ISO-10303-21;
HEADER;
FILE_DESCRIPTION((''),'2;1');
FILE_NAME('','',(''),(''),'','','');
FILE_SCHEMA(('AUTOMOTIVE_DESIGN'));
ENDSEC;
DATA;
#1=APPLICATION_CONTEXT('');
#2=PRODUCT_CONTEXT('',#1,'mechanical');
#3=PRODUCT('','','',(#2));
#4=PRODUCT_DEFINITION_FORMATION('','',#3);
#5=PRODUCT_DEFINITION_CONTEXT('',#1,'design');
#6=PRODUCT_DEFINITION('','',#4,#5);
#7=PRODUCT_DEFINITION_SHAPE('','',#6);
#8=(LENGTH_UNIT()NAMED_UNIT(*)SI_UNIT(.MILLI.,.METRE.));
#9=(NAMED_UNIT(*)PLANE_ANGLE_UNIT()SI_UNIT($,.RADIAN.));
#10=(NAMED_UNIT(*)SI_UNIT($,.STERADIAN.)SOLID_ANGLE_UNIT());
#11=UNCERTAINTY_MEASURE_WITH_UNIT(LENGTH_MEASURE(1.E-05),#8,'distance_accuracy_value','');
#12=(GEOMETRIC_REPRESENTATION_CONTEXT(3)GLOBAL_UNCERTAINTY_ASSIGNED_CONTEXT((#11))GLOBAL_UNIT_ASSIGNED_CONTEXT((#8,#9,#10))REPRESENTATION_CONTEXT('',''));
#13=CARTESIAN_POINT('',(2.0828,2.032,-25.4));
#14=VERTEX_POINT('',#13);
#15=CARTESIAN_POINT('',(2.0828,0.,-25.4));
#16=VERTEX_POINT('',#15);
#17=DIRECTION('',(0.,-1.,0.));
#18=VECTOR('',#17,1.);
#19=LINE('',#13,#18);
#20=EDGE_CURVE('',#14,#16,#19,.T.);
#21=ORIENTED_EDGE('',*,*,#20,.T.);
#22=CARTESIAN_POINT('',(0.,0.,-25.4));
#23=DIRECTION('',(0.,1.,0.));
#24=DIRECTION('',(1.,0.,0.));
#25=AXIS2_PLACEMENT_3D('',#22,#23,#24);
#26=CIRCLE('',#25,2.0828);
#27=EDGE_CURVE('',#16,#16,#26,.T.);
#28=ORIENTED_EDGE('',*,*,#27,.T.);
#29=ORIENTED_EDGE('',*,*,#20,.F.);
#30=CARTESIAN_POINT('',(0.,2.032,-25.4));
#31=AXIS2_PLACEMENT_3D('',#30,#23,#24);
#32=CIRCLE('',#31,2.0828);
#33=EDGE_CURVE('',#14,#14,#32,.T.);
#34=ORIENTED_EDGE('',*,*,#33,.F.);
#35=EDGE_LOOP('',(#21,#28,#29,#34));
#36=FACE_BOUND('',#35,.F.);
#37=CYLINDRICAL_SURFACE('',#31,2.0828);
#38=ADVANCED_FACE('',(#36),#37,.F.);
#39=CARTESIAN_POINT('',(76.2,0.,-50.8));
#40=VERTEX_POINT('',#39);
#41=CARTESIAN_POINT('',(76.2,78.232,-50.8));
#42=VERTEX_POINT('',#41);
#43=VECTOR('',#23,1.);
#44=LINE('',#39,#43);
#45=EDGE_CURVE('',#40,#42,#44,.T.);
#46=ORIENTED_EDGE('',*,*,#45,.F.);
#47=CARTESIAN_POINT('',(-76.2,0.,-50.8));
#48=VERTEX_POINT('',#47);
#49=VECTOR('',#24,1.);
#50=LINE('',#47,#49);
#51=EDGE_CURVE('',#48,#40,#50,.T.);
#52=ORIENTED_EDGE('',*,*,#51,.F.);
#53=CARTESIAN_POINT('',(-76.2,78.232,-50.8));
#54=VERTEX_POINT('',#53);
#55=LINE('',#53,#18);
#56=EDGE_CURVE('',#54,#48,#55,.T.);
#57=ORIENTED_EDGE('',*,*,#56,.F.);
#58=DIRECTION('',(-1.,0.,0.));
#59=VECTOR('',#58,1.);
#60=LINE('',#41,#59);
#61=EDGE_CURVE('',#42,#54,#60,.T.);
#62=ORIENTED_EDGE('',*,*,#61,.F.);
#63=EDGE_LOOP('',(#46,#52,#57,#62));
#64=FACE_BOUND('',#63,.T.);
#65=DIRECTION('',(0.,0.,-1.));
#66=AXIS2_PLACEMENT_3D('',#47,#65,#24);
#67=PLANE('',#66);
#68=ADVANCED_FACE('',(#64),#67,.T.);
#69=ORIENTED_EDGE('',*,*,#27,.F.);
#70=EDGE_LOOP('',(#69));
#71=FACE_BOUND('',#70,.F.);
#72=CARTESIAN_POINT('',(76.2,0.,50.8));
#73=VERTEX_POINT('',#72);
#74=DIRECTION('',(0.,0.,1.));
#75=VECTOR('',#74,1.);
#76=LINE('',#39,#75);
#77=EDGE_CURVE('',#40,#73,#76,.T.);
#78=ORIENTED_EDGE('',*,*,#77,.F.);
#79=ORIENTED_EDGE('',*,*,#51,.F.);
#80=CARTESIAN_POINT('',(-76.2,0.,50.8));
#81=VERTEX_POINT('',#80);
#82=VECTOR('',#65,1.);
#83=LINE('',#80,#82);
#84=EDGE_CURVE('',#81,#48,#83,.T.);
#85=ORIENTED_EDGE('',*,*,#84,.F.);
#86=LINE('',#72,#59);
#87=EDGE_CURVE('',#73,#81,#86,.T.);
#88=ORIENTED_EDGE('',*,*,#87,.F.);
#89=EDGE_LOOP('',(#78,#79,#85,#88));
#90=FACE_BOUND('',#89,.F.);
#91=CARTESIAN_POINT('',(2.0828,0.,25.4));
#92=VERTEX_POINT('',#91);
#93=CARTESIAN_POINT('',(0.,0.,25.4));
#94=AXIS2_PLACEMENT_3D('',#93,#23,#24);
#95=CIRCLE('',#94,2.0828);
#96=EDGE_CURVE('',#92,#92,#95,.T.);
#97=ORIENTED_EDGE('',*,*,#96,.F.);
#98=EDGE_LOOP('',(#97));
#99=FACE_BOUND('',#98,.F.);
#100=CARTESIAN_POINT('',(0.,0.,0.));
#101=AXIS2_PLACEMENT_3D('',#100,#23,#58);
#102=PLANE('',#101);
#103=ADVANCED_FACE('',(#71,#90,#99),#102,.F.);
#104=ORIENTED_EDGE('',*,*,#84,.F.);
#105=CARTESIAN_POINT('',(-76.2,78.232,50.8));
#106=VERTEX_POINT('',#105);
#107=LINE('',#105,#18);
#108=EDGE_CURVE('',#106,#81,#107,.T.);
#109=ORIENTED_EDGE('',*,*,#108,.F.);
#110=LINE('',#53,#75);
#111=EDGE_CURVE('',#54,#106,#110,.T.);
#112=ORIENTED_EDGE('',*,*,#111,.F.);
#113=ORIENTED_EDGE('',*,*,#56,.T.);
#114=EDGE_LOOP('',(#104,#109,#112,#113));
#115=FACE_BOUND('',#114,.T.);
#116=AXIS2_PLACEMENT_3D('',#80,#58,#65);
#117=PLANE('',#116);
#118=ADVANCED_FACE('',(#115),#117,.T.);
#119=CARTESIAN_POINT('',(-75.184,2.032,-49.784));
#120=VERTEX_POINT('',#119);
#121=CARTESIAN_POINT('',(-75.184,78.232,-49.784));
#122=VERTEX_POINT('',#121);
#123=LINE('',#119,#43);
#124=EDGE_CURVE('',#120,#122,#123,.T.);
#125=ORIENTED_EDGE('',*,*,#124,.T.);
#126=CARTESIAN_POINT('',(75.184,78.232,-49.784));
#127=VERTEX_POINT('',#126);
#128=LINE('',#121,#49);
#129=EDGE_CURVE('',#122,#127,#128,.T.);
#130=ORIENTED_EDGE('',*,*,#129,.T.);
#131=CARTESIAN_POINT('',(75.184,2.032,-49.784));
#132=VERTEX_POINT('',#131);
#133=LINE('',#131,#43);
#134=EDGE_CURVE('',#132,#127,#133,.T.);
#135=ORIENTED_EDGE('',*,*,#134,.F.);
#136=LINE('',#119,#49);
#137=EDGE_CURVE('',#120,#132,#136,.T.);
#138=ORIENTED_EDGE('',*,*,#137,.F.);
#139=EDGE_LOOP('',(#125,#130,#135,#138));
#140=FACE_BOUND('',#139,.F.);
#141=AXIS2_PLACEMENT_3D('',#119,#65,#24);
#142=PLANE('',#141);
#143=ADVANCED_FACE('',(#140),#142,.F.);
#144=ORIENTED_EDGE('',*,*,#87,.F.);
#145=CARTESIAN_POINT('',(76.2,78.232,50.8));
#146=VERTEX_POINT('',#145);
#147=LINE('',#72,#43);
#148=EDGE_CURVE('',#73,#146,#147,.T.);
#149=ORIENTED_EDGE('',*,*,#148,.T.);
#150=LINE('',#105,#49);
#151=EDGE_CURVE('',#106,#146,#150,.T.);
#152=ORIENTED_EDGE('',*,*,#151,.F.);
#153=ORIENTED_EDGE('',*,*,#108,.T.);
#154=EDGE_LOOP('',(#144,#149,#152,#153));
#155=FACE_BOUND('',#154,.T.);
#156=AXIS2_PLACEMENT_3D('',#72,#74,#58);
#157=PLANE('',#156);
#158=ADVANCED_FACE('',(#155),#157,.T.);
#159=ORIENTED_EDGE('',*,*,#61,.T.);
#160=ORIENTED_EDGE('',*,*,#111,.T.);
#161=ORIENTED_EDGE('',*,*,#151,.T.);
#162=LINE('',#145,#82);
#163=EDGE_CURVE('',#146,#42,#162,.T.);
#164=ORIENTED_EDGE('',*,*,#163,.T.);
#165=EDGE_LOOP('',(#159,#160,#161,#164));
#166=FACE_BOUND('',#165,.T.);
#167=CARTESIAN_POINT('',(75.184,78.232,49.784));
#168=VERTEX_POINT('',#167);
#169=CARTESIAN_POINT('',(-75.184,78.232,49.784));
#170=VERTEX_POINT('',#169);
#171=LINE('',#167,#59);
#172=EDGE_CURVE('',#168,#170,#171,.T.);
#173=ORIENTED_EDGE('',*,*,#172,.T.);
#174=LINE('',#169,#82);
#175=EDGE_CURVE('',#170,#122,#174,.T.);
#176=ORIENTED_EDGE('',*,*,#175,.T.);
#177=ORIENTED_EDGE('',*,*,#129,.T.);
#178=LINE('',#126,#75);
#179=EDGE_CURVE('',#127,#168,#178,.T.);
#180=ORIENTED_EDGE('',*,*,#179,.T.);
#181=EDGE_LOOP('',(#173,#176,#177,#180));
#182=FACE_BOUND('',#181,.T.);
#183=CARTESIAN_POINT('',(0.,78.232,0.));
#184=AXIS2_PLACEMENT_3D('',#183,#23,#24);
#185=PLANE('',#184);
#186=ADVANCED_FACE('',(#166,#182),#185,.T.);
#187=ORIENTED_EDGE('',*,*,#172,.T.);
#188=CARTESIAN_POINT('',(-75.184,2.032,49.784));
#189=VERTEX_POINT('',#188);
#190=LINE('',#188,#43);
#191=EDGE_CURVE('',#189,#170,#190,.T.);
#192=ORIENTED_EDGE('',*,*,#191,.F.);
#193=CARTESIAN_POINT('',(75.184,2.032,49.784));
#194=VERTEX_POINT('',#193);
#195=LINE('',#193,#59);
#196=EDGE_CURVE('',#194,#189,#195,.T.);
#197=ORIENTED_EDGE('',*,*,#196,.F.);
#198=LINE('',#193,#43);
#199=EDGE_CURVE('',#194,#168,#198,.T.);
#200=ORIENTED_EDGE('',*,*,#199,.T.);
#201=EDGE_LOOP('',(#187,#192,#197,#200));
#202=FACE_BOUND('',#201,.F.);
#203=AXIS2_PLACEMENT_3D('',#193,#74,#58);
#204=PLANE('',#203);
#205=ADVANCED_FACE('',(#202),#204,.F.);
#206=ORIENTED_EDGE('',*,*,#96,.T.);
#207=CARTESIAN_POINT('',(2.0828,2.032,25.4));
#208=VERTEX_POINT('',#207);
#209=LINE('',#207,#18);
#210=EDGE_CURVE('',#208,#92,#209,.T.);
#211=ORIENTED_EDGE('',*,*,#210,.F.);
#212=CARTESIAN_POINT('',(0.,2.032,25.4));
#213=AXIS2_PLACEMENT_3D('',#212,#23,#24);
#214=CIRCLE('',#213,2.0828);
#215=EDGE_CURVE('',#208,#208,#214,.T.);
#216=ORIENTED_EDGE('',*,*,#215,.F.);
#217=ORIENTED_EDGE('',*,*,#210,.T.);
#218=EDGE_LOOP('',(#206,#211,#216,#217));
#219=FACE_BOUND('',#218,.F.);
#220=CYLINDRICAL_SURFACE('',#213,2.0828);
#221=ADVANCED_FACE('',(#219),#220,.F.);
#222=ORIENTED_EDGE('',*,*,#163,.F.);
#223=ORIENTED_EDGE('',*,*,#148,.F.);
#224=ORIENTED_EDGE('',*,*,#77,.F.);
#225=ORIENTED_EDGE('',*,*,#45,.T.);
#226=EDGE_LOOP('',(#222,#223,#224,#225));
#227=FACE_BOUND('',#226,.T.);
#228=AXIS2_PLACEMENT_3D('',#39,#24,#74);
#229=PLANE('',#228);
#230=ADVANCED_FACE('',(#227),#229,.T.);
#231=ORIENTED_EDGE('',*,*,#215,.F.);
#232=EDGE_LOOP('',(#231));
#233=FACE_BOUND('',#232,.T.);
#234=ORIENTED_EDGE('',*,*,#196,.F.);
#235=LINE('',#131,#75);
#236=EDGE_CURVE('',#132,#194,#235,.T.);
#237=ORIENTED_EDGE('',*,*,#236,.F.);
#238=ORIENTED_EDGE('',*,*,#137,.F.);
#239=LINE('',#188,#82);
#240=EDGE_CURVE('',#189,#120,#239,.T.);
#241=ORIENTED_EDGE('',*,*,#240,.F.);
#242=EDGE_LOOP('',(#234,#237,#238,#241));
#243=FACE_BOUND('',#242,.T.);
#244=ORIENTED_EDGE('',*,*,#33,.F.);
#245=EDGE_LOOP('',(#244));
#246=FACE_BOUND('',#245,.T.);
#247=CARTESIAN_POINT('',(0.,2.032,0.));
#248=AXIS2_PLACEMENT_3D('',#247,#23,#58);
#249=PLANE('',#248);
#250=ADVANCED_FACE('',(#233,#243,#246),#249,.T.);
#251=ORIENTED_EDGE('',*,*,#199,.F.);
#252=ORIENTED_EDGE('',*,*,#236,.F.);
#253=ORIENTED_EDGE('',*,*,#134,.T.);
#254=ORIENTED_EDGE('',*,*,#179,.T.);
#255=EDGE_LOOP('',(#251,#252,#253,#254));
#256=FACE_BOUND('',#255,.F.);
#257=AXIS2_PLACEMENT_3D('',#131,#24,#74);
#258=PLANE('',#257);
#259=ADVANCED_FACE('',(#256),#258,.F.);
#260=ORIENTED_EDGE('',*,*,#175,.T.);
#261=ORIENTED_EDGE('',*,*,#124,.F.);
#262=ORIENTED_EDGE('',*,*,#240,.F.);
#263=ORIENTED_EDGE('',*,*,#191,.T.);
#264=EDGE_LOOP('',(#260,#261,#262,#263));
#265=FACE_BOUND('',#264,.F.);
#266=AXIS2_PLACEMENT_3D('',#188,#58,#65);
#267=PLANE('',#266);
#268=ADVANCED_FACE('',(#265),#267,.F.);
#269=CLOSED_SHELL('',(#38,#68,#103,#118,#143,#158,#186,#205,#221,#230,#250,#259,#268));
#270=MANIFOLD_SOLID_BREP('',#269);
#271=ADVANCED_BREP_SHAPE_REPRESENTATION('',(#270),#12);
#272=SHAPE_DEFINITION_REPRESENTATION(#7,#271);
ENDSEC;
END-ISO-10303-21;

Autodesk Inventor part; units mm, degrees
ref_plane "YZ Plane" through (0, 0, 0) normal (1, 0, 0) x (0, 1, 0)
ref_plane "XZ Plane" through (0, 0, 0) normal (0, 1, 0) x (-1, 0, 0)
ref_plane "XY Plane" through (0, 0, 0) normal (0, 0, 1) x (1, 0, 0)
sketch "Sketch1" plane through (0, 0, 0) normal (0, 1, 0) x (-1, 0, 0)
  line L0 (-76.2, 50.8) -> (76.2, 50.8)
  line L1 (76.2, 50.8) -> (76.2, -50.8)
  line L2 (76.2, -50.8) -> (-76.2, -50.8)
  line L3 (-76.2, -50.8) -> (-76.2, 50.8)
  line L4 (-76.2, 50.8) -> (76.2, -50.8) construction
  line L5 (76.2, 50.8) -> (-76.2, -50.8) construction
  point P0 (0, 0)
  dimension "d0" = 152.4
  dimension "d1" = 101.6
extrude "Extrusion1" add sketch "Sketch1" along normal blind 2.032
sketch "Sketch2" plane through (0, 2.032, 0) normal (0, 1, 0) x (1, 0, 0)
  line L0 (-76.2, -50.8) -> (76.2, -50.8) projected
  line L1 (76.2, -50.8) -> (76.2, 50.8) projected
  line L2 (-76.2, -50.8) -> (76.2, -50.8)
  line L3 (76.2, -50.8) -> (76.2, 50.8)
  line L4 (76.2, 50.8) -> (-76.2, 50.8)
  line L5 (-76.2, 50.8) -> (-76.2, -50.8)
  line L6 (75.184, -49.784) -> (-75.184, -49.784)
  line L7 (-75.184, -49.784) -> (-75.184, 49.784)
  line L8 (-75.184, 49.784) -> (75.184, 49.784)
  line L9 (75.184, 49.784) -> (75.184, -49.784)
  line L10 (75.184, -49.784) -> (-75.184, 49.784) construction
  line L11 (-75.184, -49.784) -> (75.184, 49.784) construction
  point P0 (0, 0)
  dimension "d4" = 150.368
  dimension "d5" = 99.568
extrude "Extrusion2" add sketch "Sketch2" along normal blind 76.2
sketch "Sketch3" plane through (0, 2.032, 0) normal (0, 1, 0) x (1, 0, 0)
  circle A0 centre (0, -25.4) radius 2.0828
  circle A1 centre (0, 25.4) radius 2.0828
  point P0 (0, 0)
  dimension "d10" = 4.1656
  dimension "d11" = 4.1656
extrude "Extrusion3" cut sketch "Sketch3" against normal through all
properties part number "546-1444-8-6x4-Enclosure"
